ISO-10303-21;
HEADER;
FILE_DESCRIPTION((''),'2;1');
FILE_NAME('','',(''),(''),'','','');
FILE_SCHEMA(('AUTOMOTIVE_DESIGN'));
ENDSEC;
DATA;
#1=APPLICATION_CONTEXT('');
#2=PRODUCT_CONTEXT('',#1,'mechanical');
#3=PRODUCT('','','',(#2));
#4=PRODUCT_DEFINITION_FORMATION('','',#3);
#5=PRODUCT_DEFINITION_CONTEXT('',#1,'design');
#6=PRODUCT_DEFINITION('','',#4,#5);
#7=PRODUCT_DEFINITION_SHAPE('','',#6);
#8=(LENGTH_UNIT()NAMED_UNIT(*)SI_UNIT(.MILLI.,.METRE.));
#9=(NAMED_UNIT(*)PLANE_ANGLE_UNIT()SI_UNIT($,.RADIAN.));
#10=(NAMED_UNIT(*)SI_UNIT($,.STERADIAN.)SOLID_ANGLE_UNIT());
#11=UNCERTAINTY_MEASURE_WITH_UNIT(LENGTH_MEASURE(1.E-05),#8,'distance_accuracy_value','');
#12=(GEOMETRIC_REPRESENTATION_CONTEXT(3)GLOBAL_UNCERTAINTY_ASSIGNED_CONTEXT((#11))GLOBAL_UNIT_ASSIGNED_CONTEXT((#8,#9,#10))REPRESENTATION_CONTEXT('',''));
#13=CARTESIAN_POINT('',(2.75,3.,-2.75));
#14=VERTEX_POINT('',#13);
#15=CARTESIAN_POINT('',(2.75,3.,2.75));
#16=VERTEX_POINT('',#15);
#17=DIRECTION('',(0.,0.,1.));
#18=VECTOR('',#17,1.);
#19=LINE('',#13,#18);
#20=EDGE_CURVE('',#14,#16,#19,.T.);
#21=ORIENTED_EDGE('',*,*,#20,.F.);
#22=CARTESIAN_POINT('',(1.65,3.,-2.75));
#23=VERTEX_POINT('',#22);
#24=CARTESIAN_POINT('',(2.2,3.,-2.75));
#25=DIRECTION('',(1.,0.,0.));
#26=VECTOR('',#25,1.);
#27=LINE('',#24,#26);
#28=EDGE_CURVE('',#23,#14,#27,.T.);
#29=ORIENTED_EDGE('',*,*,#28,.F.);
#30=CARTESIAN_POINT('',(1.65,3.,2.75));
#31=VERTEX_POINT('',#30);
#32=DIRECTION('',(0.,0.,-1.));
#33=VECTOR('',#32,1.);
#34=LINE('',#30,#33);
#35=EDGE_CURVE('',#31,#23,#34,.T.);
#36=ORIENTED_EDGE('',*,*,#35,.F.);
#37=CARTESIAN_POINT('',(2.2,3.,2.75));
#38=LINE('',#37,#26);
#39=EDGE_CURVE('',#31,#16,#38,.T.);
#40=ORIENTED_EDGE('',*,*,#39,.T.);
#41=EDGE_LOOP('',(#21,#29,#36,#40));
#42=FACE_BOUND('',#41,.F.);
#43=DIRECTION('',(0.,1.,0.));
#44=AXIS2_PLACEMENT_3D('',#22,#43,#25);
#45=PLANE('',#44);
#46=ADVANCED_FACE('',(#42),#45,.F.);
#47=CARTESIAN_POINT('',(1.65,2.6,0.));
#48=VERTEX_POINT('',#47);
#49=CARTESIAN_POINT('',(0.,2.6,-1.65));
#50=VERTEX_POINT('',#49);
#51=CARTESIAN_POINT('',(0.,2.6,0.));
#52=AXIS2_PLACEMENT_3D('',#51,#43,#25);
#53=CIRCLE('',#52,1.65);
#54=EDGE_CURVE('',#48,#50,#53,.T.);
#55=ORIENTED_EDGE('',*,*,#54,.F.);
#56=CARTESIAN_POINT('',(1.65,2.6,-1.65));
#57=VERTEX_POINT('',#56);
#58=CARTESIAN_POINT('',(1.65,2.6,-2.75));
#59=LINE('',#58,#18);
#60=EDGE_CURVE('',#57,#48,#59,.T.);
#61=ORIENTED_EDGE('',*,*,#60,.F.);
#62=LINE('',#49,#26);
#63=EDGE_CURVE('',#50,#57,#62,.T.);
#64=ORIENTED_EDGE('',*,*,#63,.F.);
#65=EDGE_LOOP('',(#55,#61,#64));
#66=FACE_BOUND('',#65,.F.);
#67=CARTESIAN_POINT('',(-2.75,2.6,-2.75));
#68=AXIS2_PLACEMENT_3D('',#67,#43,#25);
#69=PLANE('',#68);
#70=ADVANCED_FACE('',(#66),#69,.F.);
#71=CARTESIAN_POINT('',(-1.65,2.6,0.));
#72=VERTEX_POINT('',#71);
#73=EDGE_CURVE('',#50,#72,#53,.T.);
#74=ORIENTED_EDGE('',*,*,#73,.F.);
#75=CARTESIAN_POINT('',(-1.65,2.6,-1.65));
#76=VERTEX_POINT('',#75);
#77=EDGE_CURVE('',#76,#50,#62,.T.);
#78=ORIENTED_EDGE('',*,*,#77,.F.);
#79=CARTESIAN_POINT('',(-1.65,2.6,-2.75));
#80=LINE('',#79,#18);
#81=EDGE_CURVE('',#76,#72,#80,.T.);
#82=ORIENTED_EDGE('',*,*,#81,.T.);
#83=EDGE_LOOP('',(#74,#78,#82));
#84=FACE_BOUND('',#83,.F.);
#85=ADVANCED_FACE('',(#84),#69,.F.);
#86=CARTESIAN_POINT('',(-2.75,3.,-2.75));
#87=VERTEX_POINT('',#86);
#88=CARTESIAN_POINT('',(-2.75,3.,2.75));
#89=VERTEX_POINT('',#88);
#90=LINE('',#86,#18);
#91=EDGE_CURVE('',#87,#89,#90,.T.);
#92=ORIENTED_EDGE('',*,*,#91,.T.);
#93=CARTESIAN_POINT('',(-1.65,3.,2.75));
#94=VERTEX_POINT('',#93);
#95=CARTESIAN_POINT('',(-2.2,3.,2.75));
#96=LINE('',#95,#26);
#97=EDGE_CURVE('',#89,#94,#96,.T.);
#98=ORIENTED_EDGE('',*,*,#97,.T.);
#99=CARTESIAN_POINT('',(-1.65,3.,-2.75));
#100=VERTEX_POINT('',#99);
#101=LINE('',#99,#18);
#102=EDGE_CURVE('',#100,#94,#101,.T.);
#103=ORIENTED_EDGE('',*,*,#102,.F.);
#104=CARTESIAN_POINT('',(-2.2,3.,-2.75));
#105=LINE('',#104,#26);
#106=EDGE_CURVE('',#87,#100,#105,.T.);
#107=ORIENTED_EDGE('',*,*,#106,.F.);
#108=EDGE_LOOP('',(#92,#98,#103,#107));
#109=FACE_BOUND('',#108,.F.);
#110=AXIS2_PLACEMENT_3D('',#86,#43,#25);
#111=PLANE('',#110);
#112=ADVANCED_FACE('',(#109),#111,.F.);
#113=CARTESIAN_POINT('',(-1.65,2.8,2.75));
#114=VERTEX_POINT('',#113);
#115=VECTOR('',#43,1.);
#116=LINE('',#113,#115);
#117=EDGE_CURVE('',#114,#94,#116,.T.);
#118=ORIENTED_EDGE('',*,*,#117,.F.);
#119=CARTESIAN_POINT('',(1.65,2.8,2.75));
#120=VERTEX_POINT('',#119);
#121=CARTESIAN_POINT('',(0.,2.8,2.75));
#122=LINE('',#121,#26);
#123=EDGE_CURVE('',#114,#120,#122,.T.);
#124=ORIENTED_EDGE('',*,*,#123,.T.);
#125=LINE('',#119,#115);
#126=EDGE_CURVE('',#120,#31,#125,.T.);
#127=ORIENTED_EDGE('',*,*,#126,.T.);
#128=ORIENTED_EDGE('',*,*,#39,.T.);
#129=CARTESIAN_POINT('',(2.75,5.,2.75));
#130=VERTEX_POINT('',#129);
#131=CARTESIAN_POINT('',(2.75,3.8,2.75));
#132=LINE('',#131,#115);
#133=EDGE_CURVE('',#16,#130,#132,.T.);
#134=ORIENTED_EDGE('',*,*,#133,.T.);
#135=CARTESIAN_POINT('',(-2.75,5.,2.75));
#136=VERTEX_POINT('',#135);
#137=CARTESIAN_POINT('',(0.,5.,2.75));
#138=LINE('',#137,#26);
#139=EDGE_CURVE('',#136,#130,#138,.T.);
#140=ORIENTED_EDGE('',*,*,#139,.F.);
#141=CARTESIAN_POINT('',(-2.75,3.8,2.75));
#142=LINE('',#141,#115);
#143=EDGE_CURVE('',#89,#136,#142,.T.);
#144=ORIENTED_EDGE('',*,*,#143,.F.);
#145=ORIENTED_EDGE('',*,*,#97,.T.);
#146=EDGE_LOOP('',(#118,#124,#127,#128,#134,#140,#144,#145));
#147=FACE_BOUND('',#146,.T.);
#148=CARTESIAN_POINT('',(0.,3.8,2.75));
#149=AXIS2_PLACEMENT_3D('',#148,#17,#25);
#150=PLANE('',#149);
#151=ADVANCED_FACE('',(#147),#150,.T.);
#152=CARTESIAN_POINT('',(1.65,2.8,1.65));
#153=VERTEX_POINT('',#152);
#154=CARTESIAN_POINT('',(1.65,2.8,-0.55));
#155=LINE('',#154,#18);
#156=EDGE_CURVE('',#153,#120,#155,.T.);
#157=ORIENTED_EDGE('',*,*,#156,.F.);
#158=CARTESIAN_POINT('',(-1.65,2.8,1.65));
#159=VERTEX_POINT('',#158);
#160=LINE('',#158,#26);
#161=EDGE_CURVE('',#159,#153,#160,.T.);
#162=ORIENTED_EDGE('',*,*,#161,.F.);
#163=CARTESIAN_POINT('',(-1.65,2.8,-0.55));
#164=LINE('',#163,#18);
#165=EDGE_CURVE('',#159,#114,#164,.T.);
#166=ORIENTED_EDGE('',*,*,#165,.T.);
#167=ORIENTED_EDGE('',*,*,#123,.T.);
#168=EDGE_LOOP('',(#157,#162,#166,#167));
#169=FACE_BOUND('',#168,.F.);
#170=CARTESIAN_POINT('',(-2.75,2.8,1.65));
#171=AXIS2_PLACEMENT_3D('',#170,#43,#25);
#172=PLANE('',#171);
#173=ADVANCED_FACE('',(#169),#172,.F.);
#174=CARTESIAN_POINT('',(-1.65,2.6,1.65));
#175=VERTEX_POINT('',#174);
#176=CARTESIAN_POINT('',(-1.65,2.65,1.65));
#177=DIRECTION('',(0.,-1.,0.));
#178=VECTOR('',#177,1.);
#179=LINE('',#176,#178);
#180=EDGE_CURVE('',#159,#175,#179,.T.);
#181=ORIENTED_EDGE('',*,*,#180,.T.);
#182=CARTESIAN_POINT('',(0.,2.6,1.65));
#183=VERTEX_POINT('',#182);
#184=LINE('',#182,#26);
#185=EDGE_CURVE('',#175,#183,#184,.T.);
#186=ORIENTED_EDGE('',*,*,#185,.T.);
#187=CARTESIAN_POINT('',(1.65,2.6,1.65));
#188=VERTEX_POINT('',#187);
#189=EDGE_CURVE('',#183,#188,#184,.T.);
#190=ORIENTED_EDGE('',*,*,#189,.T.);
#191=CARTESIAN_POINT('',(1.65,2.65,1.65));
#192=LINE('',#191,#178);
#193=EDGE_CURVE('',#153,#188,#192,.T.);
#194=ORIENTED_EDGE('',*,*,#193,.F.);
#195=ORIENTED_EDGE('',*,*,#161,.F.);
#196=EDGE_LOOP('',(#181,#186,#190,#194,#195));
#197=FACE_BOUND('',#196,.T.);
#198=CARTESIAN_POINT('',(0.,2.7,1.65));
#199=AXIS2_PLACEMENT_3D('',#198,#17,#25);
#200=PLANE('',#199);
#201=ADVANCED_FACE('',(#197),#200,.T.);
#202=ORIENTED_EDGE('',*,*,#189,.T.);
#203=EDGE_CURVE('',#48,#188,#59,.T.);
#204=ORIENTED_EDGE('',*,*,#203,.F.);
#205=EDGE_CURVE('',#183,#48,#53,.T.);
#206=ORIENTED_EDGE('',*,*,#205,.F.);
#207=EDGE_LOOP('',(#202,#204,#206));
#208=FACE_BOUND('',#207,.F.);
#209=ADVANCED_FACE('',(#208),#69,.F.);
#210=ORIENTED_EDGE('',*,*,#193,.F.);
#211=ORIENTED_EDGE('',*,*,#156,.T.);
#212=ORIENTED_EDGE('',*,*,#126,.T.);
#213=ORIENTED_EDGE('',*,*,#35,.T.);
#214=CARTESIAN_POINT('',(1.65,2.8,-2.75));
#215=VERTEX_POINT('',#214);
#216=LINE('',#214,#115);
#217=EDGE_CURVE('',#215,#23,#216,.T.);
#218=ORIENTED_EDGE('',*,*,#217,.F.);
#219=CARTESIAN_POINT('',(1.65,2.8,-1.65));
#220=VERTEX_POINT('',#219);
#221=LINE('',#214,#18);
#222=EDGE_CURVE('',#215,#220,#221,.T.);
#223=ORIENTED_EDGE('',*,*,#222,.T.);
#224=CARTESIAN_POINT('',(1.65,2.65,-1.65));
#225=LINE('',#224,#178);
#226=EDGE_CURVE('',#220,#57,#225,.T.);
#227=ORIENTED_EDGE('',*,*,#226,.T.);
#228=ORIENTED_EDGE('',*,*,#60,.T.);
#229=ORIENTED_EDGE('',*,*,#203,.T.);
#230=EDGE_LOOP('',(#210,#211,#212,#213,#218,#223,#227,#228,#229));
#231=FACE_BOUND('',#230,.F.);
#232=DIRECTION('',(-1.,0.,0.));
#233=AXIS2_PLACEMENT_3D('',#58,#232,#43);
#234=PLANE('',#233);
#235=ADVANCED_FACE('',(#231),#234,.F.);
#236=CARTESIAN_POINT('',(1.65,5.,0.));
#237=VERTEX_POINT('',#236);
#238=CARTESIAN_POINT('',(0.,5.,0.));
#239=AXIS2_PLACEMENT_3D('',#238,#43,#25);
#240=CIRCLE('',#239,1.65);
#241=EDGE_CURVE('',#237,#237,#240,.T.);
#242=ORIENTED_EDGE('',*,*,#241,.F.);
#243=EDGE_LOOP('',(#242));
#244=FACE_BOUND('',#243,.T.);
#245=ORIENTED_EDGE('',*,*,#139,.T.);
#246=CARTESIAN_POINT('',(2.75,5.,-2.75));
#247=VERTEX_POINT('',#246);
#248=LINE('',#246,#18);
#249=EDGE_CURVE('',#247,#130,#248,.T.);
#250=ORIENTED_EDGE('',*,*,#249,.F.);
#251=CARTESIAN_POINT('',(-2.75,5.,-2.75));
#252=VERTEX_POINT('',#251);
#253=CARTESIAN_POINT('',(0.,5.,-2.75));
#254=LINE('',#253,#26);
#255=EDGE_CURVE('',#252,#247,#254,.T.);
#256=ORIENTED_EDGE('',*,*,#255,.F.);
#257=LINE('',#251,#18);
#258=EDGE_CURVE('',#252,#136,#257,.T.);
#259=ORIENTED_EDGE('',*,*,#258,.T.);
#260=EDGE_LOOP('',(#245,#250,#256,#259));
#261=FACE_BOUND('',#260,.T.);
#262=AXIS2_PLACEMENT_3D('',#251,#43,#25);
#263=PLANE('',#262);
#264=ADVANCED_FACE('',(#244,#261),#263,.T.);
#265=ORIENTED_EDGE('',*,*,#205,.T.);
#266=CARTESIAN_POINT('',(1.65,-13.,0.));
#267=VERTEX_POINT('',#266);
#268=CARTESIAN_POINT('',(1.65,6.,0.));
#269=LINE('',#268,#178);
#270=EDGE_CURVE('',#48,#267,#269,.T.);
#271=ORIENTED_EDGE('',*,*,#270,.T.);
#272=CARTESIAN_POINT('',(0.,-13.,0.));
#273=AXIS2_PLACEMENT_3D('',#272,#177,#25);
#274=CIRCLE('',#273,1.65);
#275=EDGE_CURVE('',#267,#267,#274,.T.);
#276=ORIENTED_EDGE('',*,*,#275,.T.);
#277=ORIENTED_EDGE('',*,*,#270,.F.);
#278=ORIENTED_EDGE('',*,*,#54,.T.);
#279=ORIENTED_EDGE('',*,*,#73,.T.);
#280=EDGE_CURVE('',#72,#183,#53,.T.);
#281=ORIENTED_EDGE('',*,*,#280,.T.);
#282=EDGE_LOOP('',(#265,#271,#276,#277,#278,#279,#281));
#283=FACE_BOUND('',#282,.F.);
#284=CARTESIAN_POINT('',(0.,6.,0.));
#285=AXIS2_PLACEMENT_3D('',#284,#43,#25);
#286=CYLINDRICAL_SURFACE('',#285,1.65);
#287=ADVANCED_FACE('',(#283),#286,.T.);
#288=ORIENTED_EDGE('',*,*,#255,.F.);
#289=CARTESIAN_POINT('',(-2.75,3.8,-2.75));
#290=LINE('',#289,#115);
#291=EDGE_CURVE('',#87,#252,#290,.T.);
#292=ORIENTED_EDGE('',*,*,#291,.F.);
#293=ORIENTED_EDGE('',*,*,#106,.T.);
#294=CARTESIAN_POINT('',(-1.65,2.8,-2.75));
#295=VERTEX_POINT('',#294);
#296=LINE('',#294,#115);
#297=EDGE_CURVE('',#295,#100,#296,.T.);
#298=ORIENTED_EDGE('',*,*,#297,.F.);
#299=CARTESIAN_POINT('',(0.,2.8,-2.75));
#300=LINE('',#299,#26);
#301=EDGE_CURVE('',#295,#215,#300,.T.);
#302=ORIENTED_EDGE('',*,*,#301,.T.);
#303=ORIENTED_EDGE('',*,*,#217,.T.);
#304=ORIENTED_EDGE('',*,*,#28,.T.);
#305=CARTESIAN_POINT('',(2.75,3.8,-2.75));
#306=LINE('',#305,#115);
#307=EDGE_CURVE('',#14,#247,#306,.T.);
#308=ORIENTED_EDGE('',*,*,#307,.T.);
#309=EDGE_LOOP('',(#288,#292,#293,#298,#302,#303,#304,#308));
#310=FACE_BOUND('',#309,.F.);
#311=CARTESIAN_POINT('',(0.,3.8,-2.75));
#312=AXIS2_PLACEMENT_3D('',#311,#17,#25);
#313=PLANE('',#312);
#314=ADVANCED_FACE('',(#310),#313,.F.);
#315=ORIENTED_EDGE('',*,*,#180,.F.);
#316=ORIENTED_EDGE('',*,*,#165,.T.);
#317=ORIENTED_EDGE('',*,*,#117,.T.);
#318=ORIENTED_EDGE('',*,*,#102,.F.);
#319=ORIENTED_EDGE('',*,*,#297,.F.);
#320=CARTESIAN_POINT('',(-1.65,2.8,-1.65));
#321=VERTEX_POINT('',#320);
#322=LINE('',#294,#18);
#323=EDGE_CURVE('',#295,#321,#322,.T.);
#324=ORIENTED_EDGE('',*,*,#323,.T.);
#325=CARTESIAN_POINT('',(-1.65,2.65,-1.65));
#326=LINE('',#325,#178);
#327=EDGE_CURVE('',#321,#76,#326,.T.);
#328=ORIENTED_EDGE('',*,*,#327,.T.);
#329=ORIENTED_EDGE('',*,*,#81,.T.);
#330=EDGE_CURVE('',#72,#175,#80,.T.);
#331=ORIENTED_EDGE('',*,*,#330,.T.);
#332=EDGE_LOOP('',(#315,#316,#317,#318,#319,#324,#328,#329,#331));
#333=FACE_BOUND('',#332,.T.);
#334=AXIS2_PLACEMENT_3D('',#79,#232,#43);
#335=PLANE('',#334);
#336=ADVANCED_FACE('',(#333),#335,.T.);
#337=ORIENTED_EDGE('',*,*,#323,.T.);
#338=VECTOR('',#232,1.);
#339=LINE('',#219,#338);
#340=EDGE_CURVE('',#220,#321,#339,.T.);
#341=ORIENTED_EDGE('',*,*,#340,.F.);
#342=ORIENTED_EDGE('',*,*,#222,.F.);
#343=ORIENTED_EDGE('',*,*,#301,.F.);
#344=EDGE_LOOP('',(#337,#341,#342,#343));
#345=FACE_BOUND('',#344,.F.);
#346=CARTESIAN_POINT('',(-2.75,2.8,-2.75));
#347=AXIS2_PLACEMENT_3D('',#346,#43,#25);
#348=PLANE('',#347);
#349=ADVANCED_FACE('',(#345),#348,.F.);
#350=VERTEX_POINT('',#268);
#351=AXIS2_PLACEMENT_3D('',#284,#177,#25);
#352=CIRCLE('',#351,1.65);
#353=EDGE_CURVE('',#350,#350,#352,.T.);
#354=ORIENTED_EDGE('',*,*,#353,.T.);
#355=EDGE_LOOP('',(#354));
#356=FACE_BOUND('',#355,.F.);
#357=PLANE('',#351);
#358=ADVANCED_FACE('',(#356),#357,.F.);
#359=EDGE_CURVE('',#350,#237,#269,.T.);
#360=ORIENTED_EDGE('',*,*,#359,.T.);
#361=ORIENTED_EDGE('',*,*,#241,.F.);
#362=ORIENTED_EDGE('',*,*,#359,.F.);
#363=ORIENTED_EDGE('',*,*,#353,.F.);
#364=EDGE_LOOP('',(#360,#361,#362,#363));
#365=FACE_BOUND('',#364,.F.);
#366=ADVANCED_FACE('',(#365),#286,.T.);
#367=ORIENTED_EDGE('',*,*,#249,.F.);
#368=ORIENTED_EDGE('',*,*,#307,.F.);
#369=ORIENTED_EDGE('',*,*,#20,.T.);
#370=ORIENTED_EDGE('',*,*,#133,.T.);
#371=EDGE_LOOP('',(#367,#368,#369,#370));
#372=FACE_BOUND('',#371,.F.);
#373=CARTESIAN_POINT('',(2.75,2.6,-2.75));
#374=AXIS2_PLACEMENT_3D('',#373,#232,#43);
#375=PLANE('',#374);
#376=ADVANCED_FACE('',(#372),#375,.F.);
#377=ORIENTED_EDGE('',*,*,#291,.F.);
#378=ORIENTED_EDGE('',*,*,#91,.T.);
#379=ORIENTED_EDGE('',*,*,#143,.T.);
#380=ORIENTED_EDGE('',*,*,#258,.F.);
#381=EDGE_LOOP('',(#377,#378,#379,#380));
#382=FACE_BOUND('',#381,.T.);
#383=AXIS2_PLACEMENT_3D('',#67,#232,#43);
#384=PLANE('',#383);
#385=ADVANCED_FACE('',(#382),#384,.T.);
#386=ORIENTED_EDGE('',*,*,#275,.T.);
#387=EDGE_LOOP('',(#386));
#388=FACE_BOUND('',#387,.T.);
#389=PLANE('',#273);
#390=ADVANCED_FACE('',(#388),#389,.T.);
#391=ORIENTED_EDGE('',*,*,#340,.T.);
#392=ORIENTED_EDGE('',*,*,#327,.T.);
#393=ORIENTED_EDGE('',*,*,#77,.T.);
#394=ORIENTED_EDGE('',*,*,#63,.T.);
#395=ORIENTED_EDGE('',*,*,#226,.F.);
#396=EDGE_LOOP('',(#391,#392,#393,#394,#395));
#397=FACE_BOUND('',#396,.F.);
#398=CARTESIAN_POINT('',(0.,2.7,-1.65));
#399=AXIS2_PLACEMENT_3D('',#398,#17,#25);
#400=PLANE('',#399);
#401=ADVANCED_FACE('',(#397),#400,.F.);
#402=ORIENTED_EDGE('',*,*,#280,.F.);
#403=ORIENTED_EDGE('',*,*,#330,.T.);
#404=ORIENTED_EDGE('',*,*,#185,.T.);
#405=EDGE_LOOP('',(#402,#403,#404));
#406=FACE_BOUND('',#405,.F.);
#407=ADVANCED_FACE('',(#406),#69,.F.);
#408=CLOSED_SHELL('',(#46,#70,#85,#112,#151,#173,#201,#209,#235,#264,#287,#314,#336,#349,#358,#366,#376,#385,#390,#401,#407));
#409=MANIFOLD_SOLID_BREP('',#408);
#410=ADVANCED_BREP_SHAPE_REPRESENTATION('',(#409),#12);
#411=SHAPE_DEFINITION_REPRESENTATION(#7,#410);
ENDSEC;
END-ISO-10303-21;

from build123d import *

# Parameters (mm, degrees)
CYLINDER_R     = 1.65
CYLINDER_DEPTH = 19
BOX016_W       = 5.5
BOX016_H       = 0.2
BOX016_DEPTH   = 1.1
BOX018_W       = 1.1
BOX018_H       = 0.4
BOX018_DEPTH   = 5.5
BOX014_W       = 1.1
BOX014_H       = 0.4
BOX014_DEPTH   = 5.5
BOX015_W       = 5.5
BOX015_H       = 0.2
BOX015_DEPTH   = 1.1
BOX017_W       = 5.5
BOX017_H       = 2.4
BOX017_DEPTH   = 5.5


with BuildPart() as cylinder:
    # Cylinder → Cylinder (new body)
    with BuildSketch(Plane.XZ.offset(-1)):
        Circle(CYLINDER_R)
    extrude(amount=CYLINDER_DEPTH)


with BuildPart() as cube016:
    # Box016 → Box016 (new body)
    with BuildSketch(Plane(origin=(-2.75, -2.4, 1.65), x_dir=(1, 0, 0), z_dir=(0, 0, 1))):
        with Locations((2.75, 0.1)):
            Rectangle(BOX016_W, BOX016_H)
    extrude(amount=BOX016_DEPTH)


with BuildPart() as cube018:
    # Box018 → Box018 (new body)
    with BuildSketch(Plane(origin=(1.65, -2.4, -2.75), x_dir=(1, 0, 0), z_dir=(0, 0, 1))):
        with Locations((0.55, 0.2)):
            Rectangle(BOX018_W, BOX018_H)
    extrude(amount=BOX018_DEPTH)


with BuildPart() as cube014:
    # Box014 → Box014 (new body)
    with BuildSketch(Plane(origin=(-2.75, -2.4, -2.75), x_dir=(1, 0, 0), z_dir=(0, 0, 1))):
        with Locations((0.55, 0.2)):
            Rectangle(BOX014_W, BOX014_H)
    extrude(amount=BOX014_DEPTH)


with BuildPart() as fusion001004:
    # Box015 → Box015 (new body)
    with BuildSketch(Plane(origin=(-2.75, -2.4, -2.75), x_dir=(1, 0, 0), z_dir=(0, 0, 1))):
        with Locations((2.75, 0.1)):
            Rectangle(BOX015_W, BOX015_H)
    extrude(amount=BOX015_DEPTH)

    # Fusion001004: union Cube016, Cube018, Cube014
    add(cube016.part)
    add(cube018.part)
    add(cube014.part)


with BuildPart() as bolt:
    # Box017 → Box017 (new body)
    with BuildSketch(Plane(origin=(-2.75, -2.4, -2.75), x_dir=(1, 0, 0), z_dir=(0, 0, 1))):
        with Locations((2.75, 1.2)):
            Rectangle(BOX017_W, BOX017_H)
    extrude(amount=BOX017_DEPTH)

    # Cut009: cut Fusion001004
    add(fusion001004.part, mode=Mode.SUBTRACT)

    # Fusion001005: union Cylinder
    add(cylinder.part)


with BuildPart() as bolt_1:
    # Fusion001005 placement: moved
    add(bolt.part.moved(Location((0, 5, 0))))


solid = bolt_1.part
